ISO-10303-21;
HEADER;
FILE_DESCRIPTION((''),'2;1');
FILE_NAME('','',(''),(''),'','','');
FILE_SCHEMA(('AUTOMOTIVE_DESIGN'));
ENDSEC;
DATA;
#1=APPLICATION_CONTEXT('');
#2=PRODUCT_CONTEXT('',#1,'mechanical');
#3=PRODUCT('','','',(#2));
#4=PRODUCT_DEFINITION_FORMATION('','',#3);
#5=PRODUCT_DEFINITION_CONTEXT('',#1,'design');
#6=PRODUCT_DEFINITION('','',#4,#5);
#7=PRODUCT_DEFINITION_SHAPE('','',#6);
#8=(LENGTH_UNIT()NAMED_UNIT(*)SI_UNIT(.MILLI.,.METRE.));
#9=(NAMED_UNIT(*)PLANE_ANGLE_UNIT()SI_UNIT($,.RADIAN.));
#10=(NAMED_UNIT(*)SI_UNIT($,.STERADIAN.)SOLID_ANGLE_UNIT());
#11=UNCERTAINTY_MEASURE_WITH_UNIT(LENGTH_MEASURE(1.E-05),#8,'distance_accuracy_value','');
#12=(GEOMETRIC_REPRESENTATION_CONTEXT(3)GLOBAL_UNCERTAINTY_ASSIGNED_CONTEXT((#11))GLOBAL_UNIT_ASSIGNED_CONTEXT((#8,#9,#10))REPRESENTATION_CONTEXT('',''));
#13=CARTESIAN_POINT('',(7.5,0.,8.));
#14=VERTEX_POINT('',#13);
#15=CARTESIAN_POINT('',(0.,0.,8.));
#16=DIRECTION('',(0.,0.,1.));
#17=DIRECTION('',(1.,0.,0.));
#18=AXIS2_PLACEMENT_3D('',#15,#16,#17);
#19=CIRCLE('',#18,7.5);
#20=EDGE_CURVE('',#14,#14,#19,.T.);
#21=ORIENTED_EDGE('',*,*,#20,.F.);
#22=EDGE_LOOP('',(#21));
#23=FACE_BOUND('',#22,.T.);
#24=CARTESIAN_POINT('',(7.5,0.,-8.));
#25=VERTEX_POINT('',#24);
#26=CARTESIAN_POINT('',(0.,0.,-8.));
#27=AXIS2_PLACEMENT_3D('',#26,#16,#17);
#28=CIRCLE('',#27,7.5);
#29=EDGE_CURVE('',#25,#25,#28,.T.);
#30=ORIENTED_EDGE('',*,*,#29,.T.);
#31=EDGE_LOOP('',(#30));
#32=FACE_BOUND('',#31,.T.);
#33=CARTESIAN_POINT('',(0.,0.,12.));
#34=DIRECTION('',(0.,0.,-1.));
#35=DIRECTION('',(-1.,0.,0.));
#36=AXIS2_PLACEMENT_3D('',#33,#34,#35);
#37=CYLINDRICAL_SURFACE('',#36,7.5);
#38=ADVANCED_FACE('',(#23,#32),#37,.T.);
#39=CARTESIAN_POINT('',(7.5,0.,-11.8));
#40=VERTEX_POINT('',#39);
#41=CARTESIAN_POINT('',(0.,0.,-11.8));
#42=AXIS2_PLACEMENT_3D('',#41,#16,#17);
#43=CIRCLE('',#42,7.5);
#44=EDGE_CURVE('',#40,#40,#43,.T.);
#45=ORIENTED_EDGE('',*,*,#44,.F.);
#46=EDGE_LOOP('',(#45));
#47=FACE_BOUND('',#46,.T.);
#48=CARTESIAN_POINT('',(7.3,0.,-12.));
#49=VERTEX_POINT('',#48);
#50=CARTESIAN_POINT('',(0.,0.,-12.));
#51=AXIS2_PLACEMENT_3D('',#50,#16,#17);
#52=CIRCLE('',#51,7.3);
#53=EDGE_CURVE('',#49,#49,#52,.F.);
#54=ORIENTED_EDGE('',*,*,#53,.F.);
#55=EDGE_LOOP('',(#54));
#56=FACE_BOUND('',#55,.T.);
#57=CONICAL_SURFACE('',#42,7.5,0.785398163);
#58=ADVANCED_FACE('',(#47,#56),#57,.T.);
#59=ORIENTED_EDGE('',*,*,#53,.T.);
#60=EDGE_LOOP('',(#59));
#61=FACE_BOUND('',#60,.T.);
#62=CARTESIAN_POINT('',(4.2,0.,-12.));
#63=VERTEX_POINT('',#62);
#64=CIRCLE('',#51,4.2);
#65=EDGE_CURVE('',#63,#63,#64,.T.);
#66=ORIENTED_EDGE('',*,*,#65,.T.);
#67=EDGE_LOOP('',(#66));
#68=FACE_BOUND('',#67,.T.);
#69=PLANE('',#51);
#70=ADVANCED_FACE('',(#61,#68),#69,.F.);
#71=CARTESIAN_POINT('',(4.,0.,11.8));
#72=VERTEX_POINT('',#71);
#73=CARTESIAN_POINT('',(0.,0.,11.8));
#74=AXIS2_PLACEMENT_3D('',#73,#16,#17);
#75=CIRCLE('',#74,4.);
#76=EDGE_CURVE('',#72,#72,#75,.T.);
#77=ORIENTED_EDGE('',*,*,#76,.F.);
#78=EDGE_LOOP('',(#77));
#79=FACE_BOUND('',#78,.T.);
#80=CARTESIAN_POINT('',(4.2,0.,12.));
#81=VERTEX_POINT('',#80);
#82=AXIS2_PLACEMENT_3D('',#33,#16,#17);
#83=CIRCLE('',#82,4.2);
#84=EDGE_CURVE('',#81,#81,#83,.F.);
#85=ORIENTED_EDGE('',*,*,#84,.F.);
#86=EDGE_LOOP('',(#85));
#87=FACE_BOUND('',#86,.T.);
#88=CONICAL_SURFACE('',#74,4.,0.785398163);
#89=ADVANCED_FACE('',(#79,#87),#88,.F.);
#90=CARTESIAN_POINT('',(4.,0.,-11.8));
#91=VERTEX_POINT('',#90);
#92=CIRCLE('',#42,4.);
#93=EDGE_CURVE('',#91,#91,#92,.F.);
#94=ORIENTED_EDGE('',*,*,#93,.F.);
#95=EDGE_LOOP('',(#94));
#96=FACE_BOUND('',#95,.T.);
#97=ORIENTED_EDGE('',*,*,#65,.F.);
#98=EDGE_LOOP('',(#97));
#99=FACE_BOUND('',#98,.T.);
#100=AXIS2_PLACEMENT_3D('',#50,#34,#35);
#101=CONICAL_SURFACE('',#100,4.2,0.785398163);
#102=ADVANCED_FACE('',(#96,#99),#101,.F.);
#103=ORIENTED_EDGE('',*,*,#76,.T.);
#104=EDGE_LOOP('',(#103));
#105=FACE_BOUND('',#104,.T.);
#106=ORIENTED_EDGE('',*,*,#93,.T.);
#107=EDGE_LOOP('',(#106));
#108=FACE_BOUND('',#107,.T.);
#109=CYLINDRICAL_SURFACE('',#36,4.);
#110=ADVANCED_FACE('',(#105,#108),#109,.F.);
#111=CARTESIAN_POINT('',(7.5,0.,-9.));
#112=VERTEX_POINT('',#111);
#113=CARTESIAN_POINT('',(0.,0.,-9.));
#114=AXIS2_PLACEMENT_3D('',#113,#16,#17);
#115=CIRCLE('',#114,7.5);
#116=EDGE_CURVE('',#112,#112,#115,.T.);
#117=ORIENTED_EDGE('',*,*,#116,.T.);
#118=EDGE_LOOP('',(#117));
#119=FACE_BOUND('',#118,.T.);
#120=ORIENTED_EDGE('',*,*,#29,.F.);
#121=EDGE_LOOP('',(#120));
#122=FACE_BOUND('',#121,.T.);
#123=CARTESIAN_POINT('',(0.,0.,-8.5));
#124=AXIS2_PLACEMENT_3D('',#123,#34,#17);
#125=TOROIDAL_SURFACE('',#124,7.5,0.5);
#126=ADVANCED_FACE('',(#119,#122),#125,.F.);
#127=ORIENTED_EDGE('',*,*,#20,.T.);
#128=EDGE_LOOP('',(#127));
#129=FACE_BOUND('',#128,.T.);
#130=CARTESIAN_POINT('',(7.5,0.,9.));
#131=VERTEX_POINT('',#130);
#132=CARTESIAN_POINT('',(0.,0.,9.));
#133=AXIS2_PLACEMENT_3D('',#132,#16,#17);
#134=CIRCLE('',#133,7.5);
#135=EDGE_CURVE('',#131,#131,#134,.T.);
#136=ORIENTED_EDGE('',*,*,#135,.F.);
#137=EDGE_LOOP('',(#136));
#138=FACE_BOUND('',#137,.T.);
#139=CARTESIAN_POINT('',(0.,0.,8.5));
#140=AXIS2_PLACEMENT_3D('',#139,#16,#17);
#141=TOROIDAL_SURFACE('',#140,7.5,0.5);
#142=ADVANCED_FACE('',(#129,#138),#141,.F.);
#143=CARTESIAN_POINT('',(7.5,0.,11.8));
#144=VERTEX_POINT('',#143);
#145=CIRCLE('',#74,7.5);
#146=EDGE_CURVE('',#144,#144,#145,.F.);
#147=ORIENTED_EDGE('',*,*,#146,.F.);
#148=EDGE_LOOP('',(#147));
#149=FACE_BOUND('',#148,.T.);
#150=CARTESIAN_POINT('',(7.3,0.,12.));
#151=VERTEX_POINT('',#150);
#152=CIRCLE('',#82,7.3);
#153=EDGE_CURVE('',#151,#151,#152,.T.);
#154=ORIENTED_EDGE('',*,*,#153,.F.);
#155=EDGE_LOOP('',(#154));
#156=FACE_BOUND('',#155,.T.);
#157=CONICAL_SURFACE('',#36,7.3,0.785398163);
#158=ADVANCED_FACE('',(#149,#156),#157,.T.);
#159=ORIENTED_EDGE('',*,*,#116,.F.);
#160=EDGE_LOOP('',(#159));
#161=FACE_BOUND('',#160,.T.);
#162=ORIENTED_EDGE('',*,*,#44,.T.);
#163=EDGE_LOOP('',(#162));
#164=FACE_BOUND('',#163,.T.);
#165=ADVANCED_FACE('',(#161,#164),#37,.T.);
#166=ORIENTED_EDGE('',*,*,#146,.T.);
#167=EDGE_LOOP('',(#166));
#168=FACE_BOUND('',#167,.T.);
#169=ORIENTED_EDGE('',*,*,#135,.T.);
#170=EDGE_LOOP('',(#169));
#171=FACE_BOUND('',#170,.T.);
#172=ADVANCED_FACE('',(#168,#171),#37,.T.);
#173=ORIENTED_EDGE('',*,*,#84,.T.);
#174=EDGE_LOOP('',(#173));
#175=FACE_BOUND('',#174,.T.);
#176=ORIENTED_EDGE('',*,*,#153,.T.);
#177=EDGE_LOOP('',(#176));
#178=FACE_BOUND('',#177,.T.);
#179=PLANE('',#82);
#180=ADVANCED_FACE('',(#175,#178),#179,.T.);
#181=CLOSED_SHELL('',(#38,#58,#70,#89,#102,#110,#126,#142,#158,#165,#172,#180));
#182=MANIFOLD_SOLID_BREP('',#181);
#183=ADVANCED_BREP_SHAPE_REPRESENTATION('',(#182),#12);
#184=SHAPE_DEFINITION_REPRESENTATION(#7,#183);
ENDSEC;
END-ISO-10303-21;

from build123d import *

# Parameters (mm, degrees)
ESQUISSE1_R        = 7.5
ESQUISSE1_R_2      = 4
BOSS_EXTRU_1_DEPTH = 12
CHANFREIN1_SIZE    = 0.2


with BuildPart() as part:
    # Esquisse1 → Boss.-Extru.1 (new, symmetric)
    with BuildSketch(Plane.XY):
        Circle(ESQUISSE1_R)
        Circle(ESQUISSE1_R_2, mode=Mode.SUBTRACT)
    extrude(amount=BOSS_EXTRU_1_DEPTH, both=True)

    # Chanfrein1
    chanfrein1_edges = [part.edges().sort_by_distance(p)[0] for p in [
        (-7.5, 0, -12),
        (-7.5, 0, 12),
        (-4, 0, -12),
        (-4, 0, 12),
    ]]
    chamfer(chanfrein1_edges, length=CHANFREIN1_SIZE)

    # Esquisse2 → Enlèvement de matière-Révolution1 (revolve, cut)
    with BuildSketch(Plane(origin=(0, 0, 0), x_dir=(0, 0, -1), z_dir=(1, 0, 0)), mode=Mode.PRIVATE) as enl_vement_de_mati_re_r_volution1_sk:
        with BuildLine():
            Line((-9, 7.5), (-8, 7.5))
            ThreePointArc((-8, 7.5), (-8.5, 7), (-9, 7.5))
        make_face()
    enl_vement_de_mati_re_r_volution1 = revolve(enl_vement_de_mati_re_r_volution1_sk.sketch.rotate(Axis((0, 0, 55), (0, 0, -1)), 90), axis=Axis((0, 0, 55), (0, 0, -1)), mode=Mode.SUBTRACT)

    # Symétrie1: Enlèvement de matière-Révolution1 across plane
    add(enl_vement_de_mati_re_r_volution1.mirror(Plane.XY), mode=Mode.SUBTRACT)


solid = part.part
